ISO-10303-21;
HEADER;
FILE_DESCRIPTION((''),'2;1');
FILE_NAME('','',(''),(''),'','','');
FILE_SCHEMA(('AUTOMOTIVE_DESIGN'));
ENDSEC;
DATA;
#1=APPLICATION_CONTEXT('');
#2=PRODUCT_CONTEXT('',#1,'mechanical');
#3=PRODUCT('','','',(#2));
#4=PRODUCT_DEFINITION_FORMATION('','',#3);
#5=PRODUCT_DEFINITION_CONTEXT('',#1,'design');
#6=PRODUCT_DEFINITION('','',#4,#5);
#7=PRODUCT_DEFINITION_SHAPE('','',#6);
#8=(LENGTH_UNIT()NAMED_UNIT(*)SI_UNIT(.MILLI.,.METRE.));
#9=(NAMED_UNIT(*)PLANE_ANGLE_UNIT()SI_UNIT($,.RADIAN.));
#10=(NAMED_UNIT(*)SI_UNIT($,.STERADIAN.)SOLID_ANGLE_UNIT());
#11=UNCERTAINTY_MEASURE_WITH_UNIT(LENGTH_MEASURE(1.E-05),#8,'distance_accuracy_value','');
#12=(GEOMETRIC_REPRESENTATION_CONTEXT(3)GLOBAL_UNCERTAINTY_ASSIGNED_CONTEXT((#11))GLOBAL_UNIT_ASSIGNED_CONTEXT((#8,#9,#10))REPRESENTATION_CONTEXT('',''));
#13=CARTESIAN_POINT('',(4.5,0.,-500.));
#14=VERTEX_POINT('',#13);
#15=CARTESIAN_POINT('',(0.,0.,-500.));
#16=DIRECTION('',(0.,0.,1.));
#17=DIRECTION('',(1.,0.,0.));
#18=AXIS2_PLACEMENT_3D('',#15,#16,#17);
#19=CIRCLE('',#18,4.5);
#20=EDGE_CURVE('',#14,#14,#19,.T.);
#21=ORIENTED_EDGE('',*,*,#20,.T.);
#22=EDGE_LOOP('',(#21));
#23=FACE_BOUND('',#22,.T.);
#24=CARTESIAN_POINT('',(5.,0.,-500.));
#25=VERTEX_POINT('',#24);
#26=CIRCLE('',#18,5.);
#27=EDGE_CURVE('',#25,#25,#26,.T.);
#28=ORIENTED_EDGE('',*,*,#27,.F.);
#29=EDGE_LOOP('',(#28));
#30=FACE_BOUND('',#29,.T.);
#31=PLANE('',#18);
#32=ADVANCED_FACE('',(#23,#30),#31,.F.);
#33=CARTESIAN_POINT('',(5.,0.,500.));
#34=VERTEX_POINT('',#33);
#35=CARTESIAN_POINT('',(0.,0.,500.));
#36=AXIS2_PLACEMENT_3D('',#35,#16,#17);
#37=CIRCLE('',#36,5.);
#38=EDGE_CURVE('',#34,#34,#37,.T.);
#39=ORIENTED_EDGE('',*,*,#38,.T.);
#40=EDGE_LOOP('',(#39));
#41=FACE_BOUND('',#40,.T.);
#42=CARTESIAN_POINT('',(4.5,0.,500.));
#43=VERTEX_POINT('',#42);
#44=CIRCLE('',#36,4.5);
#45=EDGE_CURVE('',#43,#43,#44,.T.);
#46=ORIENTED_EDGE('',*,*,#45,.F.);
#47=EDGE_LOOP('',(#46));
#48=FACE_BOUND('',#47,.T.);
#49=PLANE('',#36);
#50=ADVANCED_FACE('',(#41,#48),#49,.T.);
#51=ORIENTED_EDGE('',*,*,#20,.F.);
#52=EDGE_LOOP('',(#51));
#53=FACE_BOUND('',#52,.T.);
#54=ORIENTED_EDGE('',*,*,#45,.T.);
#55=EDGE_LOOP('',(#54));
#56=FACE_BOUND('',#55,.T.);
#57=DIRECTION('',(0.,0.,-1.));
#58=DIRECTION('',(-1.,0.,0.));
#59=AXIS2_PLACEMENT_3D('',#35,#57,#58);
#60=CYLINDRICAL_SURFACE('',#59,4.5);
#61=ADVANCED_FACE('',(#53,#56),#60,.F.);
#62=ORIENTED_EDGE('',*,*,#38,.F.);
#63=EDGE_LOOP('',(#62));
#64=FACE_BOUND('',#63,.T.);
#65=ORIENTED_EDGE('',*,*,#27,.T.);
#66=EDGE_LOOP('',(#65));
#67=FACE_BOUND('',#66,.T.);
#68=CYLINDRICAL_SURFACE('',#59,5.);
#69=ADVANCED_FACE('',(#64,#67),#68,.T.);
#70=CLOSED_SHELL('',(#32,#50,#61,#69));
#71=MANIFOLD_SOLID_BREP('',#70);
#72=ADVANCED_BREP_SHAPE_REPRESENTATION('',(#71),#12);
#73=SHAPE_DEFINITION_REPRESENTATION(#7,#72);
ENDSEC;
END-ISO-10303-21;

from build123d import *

# Parameters (mm, degrees)
SKETCH_1_R      = 5
SKETCH_1_R_2    = 4.5
EXTRUDE_1_DEPTH = 500


with BuildPart() as part:
    # Эскиз1 → Бобышка-Вытянуть1 (new body, symmetric)
    with BuildSketch(Plane.XY):
        Circle(SKETCH_1_R)
        Circle(SKETCH_1_R_2, mode=Mode.SUBTRACT)
    extrude(amount=EXTRUDE_1_DEPTH, both=True)


solid = part.part
